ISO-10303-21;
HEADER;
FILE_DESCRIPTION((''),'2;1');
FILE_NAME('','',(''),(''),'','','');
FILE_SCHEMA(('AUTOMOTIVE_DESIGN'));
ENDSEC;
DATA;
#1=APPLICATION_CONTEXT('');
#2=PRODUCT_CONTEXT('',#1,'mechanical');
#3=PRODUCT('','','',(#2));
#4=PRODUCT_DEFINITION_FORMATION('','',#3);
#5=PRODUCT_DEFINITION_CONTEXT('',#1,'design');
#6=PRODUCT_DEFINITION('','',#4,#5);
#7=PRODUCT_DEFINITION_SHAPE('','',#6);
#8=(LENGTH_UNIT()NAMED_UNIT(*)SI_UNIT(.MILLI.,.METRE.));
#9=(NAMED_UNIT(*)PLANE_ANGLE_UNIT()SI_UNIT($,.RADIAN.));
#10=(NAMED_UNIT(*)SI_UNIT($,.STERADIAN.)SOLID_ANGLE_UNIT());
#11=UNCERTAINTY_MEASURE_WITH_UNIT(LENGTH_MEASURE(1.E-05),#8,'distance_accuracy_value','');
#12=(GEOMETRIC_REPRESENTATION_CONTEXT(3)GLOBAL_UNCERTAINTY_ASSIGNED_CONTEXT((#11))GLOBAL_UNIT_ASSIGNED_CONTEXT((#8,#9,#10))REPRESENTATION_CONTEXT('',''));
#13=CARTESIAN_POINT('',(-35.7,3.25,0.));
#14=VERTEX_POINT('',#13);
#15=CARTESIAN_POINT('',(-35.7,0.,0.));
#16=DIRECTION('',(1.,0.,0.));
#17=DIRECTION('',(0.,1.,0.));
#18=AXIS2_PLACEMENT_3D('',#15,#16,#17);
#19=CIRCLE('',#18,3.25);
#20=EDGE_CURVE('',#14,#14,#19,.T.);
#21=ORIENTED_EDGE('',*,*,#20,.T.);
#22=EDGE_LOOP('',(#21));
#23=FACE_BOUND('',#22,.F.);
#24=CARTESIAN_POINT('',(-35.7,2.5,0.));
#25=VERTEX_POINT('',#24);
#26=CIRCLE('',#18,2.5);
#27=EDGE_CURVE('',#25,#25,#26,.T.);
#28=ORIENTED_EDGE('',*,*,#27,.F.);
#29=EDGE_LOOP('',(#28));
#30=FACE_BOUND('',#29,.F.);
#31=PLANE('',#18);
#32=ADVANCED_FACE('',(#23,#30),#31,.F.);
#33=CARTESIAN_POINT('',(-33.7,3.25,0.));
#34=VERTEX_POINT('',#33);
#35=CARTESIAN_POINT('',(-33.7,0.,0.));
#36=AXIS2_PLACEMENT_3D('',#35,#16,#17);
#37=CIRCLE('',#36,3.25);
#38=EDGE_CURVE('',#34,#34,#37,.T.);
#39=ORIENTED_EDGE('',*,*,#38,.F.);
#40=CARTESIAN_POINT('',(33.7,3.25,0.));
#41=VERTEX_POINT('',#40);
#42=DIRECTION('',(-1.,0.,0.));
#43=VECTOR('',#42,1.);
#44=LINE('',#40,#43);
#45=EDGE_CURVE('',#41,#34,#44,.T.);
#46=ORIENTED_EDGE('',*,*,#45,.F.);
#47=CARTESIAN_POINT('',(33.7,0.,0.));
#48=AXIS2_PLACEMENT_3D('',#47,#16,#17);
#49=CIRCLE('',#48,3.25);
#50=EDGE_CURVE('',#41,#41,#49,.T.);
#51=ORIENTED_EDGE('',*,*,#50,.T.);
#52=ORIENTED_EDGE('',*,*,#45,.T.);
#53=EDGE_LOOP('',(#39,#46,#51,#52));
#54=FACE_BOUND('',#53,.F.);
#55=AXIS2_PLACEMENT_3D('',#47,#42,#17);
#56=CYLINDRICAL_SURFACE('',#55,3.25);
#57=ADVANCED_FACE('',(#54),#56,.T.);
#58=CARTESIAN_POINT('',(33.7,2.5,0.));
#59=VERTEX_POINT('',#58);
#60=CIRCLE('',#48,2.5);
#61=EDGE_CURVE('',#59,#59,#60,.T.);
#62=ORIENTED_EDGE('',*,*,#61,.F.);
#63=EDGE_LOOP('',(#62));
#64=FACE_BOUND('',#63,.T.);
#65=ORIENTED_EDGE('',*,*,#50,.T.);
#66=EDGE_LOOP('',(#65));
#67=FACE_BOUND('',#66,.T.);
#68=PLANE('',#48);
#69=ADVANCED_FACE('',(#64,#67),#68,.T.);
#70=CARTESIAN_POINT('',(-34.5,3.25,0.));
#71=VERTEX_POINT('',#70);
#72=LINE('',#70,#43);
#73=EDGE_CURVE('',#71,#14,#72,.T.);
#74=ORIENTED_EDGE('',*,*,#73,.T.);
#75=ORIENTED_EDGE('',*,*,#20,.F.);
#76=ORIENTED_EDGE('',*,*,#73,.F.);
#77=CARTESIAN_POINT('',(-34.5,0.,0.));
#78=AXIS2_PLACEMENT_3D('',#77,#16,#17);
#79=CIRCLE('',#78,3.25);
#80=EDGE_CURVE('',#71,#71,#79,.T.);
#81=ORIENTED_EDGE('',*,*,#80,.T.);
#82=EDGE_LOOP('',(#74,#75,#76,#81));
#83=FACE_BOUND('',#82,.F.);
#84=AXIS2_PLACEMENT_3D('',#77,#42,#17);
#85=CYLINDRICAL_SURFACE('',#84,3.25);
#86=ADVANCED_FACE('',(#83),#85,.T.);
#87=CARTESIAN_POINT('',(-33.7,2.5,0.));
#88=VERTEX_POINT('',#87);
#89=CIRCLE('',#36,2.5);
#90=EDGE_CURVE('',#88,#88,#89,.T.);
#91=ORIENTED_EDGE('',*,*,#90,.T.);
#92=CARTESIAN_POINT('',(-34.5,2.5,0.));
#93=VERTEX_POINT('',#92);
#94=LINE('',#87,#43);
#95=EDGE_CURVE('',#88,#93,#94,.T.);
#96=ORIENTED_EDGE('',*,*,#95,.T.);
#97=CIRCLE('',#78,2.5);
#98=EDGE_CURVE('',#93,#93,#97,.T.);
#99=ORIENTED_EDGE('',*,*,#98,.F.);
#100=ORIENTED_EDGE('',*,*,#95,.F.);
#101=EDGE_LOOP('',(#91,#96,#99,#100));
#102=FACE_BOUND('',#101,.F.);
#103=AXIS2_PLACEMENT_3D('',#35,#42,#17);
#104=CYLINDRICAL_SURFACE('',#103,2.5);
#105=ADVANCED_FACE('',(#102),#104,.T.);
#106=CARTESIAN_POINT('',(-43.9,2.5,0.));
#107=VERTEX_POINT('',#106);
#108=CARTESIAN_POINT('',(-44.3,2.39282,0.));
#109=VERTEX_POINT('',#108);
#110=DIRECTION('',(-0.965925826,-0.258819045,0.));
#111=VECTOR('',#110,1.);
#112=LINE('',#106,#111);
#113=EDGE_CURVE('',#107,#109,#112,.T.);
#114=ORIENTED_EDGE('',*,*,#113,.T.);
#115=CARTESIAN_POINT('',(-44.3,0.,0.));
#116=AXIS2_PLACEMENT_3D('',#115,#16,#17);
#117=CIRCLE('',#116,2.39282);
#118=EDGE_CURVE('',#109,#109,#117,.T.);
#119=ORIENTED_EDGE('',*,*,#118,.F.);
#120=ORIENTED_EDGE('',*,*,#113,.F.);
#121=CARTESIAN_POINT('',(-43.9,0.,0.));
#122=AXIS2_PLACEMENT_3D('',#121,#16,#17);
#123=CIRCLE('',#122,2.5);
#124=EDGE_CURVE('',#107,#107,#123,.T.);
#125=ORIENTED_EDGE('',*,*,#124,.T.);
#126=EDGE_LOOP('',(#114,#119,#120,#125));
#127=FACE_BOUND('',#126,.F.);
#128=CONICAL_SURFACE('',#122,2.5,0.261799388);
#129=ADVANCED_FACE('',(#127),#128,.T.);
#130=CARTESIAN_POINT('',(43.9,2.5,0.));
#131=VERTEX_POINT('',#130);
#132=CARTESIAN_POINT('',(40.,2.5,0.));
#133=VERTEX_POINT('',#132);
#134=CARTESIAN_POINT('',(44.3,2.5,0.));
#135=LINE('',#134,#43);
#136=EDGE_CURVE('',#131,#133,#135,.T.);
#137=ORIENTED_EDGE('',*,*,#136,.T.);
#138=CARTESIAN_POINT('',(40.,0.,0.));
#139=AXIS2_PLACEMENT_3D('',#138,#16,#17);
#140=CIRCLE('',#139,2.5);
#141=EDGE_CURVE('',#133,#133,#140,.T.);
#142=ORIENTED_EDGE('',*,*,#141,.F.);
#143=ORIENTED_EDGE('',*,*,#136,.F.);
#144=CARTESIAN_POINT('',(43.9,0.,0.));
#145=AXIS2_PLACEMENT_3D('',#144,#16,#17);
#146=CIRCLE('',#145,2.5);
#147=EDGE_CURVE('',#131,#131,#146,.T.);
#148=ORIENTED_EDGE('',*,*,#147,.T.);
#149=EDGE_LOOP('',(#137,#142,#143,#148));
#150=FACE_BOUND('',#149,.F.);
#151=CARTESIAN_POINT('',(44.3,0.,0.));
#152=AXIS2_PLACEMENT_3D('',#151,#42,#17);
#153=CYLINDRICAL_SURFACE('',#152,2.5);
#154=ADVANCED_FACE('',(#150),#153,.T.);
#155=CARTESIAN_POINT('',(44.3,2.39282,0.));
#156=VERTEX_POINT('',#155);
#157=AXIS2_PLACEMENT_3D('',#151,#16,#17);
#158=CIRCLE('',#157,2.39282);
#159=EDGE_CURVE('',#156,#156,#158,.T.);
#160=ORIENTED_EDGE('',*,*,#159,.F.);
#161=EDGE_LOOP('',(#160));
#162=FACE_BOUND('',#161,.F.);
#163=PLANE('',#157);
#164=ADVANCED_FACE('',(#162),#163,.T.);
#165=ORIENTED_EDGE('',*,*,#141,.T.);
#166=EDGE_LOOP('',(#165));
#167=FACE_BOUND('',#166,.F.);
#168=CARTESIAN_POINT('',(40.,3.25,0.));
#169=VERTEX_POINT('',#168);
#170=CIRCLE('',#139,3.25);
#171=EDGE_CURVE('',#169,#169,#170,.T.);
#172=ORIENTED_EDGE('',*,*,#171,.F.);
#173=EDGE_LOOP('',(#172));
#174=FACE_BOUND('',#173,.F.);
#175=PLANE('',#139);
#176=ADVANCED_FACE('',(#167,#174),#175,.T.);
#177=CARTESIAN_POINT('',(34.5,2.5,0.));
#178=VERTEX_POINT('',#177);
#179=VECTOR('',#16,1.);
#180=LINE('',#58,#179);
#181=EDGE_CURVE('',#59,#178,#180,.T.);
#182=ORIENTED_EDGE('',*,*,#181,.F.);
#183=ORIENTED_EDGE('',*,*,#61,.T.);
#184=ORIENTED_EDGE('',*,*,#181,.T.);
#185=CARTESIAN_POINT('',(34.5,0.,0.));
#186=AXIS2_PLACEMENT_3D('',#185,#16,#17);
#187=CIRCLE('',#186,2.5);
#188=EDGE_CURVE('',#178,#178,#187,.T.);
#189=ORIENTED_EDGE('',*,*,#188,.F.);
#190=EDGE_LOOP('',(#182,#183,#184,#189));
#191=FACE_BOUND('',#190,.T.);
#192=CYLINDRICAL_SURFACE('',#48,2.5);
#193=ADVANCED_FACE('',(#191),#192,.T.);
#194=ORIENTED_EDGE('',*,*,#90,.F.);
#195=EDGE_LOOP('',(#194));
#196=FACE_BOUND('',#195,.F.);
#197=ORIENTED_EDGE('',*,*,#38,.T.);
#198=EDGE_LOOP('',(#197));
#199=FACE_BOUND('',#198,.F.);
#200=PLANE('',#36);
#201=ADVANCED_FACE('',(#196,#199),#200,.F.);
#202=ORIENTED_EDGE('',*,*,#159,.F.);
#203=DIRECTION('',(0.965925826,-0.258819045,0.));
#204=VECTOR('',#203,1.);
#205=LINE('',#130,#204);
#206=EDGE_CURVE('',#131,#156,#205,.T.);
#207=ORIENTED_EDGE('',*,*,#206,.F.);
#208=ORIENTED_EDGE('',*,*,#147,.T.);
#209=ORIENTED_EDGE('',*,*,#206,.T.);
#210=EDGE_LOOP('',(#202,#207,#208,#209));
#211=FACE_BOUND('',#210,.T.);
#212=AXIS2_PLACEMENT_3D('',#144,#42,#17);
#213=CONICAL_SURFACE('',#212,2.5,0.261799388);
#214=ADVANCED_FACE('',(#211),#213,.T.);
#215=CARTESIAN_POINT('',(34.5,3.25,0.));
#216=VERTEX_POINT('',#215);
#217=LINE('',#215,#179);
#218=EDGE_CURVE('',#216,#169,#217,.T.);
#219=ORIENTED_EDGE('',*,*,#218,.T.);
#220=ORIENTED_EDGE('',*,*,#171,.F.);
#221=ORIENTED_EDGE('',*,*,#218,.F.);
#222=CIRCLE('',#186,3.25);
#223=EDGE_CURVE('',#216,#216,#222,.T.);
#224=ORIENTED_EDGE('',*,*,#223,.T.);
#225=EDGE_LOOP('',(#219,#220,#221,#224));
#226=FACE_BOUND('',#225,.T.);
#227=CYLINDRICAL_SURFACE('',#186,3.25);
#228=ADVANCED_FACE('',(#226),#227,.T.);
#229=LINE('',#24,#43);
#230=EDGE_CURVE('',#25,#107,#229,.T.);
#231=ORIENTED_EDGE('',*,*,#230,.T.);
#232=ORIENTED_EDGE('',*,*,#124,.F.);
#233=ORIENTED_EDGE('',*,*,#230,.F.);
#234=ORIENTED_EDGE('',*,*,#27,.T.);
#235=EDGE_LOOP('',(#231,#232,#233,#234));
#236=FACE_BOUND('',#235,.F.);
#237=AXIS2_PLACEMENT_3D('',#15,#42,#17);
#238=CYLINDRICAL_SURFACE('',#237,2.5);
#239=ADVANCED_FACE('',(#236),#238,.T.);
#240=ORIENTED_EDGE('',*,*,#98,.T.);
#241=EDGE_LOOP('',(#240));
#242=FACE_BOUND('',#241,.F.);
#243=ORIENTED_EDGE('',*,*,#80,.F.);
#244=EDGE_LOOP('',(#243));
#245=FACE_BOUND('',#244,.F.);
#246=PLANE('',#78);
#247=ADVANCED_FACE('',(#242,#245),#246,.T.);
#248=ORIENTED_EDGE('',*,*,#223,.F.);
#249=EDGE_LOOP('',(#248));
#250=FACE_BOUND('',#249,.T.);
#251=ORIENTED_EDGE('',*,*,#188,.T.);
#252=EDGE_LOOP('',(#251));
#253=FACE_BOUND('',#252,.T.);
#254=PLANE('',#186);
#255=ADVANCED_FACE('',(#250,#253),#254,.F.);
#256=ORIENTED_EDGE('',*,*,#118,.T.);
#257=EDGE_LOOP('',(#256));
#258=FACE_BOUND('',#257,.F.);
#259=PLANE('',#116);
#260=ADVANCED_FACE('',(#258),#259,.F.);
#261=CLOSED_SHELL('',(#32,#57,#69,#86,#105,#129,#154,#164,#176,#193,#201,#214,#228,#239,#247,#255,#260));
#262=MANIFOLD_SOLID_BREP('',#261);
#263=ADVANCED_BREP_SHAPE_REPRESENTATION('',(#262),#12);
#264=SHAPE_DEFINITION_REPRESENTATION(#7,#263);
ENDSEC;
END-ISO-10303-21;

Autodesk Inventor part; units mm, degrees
ref_plane "YZ Plane" through (0, 0, 0) normal (1, 0, 0) x (0, 1, 0)
ref_plane "XZ Plane" through (0, 0, 0) normal (0, 1, 0) x (-1, 0, 0)
ref_plane "XY Plane" through (0, 0, 0) normal (0, 0, 1) x (1, 0, 0)
sketch "Skizze1" plane through (0, 0, 0) normal (0, 0, 1) x (1, 0, 0)
  line L0 (-44.3, 0) -> (44.3, 0)
  line L1 (44.3, 0) -> (44.3, 2.5)
  line L2 (44.3, 2.5) -> (40, 2.5)
  line L3 (40, 2.5) -> (40, 3.25)
  line L4 (33.7, 3.25) -> (-33.7, 3.25)
  line L5 (-35.7, 3.25) -> (-35.7, 2.5)
  line L6 (-35.7, 2.5) -> (-44.3, 2.5)
  line L7 (-44.3, 2.5) -> (-44.3, 0)
  line L8 (0, 3.9) -> (0, -0.65) projected
  line L9 (-39.8, 2.5) -> (-39.8, 0) construction
  line L10 (-33.7, 3.25) -> (-33.7, 2.5)
  line L11 (-33.7, 2.5) -> (-34.5, 2.5)
  line L12 (-34.5, 2.5) -> (-34.5, 3.25)
  line L13 (-34.5, 3.25) -> (-35.7, 3.25)
  line L14 (33.7, 3.25) -> (33.7, 2.5)
  line L15 (33.7, 2.5) -> (34.5, 2.5)
  line L16 (34.5, 2.5) -> (34.5, 3.25)
  line L17 (34.5, 3.25) -> (40, 3.25)
  point P0 (0, 0)
  dimension "d1" = 4.3
  dimension "d2" = 5
  dimension "d4" = 6.5
  dimension "d18" = 5
  dimension "d20" = 79.8
  dimension "d22" = 4.1
  dimension "d23" = 4.5
  dimension "d24" = 1.2
  dimension "d25" = 0.8
  dimension "d26" = 5
revolve "Umdrehung1" add sketch "Skizze1" angle 360 about axis through (-44.3, 0, 0) along (1, 0, 0)
chamfer "Fase2" distance 0.4 angle 15 1 edges at (-44.3, -2.5, 0) measured on face at (-41.4333, 2.4676, -0.401)
chamfer "Fase3" distance 0.4 angle 15 1 edges at (44.3, -2.5, 0) measured on face at (41.4333, 2.4676, -0.401)
properties part number "Dribblingwelle" material "Aluminium 6061"
